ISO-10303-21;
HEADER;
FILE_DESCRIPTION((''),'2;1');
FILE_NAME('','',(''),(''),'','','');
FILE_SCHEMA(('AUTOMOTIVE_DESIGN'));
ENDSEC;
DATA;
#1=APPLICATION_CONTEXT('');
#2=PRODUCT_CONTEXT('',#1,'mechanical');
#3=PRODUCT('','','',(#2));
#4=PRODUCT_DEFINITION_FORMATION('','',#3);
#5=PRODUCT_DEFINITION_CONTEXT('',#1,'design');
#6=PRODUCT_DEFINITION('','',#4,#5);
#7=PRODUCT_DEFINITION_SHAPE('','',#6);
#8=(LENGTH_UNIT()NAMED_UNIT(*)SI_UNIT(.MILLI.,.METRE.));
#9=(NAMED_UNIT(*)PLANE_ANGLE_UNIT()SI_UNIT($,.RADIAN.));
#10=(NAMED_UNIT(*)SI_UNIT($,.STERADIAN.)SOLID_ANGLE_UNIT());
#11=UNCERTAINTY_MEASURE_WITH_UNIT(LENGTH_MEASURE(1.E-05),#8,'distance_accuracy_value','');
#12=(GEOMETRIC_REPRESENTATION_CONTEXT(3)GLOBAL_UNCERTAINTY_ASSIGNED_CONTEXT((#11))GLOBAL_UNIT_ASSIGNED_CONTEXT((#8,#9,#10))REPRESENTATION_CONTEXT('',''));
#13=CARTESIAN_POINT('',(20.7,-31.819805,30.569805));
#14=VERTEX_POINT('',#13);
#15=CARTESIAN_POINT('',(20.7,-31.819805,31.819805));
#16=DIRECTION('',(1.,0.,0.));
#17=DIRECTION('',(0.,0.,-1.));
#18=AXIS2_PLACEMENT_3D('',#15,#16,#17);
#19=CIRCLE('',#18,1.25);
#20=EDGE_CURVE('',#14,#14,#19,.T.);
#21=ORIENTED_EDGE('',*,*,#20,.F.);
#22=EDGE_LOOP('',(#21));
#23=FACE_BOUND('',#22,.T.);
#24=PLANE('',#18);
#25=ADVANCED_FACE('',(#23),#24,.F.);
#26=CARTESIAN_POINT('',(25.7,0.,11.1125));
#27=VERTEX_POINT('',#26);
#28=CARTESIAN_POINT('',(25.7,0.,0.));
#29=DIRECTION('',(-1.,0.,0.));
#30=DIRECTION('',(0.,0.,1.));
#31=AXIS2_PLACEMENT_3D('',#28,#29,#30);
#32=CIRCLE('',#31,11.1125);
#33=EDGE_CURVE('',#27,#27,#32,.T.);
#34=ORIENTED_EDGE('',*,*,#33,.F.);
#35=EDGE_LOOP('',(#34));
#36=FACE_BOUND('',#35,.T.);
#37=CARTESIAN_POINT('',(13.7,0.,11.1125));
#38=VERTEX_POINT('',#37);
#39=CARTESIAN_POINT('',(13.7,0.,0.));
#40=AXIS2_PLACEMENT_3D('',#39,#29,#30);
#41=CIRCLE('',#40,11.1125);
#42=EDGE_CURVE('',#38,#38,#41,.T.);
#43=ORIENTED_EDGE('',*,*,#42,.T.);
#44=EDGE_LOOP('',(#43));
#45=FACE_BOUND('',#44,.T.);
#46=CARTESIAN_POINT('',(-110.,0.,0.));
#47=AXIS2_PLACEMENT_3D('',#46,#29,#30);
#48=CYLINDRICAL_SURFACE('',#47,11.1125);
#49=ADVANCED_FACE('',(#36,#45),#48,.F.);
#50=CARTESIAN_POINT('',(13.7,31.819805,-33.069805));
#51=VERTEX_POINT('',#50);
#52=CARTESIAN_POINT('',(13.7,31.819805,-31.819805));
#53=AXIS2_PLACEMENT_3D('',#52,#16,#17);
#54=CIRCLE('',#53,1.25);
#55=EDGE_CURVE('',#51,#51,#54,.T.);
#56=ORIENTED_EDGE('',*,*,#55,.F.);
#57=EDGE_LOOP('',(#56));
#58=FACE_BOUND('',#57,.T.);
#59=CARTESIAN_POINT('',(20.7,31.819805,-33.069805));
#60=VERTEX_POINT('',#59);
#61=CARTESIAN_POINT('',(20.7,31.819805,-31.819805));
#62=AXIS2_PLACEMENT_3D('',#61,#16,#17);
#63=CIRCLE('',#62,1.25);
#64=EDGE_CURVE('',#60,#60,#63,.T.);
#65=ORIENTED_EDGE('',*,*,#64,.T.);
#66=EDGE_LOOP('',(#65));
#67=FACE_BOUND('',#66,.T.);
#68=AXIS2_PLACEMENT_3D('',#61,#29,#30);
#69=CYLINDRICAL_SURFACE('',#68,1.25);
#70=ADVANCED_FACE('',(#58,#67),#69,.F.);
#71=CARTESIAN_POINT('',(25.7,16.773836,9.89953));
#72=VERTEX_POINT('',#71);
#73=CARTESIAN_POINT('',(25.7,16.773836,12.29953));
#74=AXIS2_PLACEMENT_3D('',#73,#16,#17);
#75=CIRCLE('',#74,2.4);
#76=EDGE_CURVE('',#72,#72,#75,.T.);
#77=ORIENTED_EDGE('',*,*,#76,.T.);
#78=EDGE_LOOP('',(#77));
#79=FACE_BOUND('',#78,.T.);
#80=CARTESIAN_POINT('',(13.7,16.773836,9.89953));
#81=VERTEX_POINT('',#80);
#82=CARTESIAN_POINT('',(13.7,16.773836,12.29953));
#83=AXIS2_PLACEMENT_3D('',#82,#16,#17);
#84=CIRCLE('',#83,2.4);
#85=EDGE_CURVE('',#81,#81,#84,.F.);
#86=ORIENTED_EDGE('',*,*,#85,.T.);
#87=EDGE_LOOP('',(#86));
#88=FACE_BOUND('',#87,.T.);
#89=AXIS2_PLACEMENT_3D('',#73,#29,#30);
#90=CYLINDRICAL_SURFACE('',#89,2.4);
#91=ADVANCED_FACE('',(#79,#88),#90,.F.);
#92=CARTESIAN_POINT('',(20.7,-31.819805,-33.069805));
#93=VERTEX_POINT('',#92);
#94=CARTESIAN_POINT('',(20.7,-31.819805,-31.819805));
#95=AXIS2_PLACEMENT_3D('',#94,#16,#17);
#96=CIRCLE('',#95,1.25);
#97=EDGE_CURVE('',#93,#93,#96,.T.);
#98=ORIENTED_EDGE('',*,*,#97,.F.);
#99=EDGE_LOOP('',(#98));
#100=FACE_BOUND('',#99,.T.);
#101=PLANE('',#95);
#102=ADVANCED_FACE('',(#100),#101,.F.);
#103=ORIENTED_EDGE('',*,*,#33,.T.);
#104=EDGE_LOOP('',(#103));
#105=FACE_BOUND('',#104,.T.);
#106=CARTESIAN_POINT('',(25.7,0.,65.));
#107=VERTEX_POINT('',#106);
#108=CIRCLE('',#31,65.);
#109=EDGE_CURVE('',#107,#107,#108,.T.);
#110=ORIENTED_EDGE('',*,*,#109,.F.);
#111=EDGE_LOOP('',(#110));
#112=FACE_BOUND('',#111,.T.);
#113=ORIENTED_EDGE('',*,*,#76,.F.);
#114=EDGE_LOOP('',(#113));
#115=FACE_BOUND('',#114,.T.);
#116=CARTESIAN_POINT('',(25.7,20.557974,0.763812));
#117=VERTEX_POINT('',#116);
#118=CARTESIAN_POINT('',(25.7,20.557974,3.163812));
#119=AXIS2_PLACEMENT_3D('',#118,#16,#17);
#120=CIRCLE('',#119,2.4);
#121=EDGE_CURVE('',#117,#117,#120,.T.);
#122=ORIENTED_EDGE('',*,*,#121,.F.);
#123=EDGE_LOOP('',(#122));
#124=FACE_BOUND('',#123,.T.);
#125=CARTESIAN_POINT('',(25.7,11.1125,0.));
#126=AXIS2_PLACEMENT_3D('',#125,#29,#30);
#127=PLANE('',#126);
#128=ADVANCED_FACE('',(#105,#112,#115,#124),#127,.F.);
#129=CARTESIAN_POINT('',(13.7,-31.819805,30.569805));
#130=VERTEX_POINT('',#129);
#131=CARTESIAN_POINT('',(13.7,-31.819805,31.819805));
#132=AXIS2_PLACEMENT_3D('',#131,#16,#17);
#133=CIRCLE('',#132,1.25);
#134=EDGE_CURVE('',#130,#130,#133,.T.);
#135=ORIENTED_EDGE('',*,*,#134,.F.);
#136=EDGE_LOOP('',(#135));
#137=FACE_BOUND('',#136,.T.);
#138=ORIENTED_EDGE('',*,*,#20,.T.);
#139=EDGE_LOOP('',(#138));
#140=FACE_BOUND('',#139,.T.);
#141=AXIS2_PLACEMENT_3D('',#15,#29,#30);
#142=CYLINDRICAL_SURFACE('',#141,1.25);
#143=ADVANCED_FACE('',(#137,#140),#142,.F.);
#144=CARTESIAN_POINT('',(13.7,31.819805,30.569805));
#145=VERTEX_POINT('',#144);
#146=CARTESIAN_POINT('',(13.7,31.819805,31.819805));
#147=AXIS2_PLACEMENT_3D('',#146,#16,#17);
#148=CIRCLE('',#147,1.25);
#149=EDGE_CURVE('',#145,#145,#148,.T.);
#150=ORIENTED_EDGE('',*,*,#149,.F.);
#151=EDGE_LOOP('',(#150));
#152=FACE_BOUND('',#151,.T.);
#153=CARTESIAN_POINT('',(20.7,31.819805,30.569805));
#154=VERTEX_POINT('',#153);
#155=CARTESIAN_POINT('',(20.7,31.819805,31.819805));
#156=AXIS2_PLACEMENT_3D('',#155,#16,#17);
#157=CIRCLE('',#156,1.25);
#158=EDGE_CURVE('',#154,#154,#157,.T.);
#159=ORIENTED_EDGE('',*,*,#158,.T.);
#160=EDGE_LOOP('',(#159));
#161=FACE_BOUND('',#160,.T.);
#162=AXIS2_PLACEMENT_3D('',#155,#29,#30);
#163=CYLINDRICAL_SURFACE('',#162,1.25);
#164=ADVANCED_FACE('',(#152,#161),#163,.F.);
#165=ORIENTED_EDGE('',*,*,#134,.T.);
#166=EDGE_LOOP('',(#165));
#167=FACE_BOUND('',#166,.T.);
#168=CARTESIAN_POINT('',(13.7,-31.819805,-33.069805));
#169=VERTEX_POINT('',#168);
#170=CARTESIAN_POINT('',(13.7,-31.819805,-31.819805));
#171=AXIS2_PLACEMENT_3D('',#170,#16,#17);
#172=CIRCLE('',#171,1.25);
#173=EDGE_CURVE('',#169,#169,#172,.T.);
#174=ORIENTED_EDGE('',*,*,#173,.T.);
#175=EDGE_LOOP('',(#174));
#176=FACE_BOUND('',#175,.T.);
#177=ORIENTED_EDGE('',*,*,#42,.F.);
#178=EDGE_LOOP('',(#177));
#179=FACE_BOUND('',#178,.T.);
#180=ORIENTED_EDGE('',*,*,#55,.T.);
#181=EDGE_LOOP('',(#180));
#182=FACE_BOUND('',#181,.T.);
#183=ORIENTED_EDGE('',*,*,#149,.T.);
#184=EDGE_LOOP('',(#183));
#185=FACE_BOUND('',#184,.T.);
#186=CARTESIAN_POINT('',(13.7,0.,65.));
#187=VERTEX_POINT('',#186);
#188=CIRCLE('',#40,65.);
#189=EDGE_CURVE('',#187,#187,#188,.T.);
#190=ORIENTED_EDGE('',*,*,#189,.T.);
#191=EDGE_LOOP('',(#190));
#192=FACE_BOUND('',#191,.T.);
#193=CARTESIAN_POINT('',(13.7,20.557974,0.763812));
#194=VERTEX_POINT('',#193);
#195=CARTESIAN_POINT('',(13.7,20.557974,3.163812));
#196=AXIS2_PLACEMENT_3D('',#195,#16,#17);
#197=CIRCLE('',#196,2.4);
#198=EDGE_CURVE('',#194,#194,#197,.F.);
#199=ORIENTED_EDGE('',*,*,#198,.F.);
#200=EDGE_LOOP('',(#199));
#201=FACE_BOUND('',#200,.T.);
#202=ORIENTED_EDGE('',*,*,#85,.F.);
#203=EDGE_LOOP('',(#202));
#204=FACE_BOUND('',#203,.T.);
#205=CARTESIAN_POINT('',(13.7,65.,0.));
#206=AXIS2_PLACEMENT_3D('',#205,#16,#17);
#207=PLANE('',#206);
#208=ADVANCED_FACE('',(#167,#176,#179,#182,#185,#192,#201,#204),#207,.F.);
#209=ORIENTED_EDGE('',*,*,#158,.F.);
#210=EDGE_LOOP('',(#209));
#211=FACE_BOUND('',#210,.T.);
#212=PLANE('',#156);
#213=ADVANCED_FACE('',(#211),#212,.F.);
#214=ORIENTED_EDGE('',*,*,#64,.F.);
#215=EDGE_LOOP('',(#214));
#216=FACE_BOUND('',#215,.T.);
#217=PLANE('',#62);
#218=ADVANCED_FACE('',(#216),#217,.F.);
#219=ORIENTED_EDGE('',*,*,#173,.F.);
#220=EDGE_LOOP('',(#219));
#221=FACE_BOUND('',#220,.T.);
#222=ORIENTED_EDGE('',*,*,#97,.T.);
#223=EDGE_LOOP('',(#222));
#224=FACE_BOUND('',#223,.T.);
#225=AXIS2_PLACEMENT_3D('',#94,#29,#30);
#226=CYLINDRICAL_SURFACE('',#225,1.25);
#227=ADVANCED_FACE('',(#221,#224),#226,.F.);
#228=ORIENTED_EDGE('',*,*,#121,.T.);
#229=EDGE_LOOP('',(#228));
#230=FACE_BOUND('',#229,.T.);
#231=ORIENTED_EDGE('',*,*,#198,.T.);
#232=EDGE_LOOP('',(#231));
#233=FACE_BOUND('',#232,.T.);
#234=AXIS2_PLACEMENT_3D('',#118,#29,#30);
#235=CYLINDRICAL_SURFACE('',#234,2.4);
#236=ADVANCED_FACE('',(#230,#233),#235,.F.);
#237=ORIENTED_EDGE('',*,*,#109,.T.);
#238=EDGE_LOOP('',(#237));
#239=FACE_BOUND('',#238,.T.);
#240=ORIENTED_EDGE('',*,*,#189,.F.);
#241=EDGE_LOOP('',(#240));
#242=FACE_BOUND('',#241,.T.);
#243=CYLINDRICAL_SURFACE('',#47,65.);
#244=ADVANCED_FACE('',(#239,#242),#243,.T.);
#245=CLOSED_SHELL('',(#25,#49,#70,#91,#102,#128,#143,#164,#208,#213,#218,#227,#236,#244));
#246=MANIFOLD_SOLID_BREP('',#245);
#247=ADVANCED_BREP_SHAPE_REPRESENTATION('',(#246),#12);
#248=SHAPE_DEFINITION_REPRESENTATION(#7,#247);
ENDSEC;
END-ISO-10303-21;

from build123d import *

# Parameters (mm, degrees)
AXIAL_PROFILE_MM_W     = 12
AXIAL_PROFILE_MM_H     = 53.8875
AXIAL_HOLES_DEPTH      = 96.448886845
AXIAL_HOLES_DEPTH_BACK = 96.448886845
SKETCH2_R              = 2.4
CUT_EXTRUDE2_START     = 13.7
SKETCH3_R              = 1.25
CUT_EXTRUDE2_DEPTH     = 7


with BuildPart() as part:
    # Axial profile (mm) → Full revolution (revolve)
    with BuildSketch(Plane.XY, mode=Mode.PRIVATE) as full_revolution_sk:
        with Locations((19.7, 38.05625)):
            Rectangle(AXIAL_PROFILE_MM_W, AXIAL_PROFILE_MM_H)
    revolve(full_revolution_sk.sketch.rotate(Axis((-110, 0, 0), (1, 0, 0)), 90), axis=Axis((-110, 0, 0), (1, 0, 0)))

    # Sketch2 → Axial holes (cut, two sides: drawn at the far end of the back side and taken through both)
    with BuildSketch(Plane(origin=(0, 0, 0), x_dir=(0, 0, -1), z_dir=(1, 0, 0)).offset(-AXIAL_HOLES_DEPTH_BACK)):
        with Locations((-3.163812264, 20.557973926)):
            Circle(SKETCH2_R)
        with Locations((-12.299529665, 16.773835877)):
            Circle(SKETCH2_R)
    extrude(amount=AXIAL_HOLES_DEPTH + AXIAL_HOLES_DEPTH_BACK, mode=Mode.SUBTRACT)

    # Sketch3 → Cut-Extrude2 (cut)
    with BuildSketch(Plane(origin=(0, 0, 0), x_dir=(0, 0, -1), z_dir=(1, 0, 0)).offset(CUT_EXTRUDE2_START)):
        with Locations((-31.819805153, 31.819805153)):
            Circle(SKETCH3_R)
        with Locations((-31.819805153, -31.819805153)):
            Circle(SKETCH3_R)
        with Locations((31.819805153, -31.819805153)):
            Circle(SKETCH3_R)
        with Locations((31.819805153, 31.819805153)):
            Circle(SKETCH3_R)
    extrude(amount=CUT_EXTRUDE2_DEPTH, mode=Mode.SUBTRACT)


solid = part.part
